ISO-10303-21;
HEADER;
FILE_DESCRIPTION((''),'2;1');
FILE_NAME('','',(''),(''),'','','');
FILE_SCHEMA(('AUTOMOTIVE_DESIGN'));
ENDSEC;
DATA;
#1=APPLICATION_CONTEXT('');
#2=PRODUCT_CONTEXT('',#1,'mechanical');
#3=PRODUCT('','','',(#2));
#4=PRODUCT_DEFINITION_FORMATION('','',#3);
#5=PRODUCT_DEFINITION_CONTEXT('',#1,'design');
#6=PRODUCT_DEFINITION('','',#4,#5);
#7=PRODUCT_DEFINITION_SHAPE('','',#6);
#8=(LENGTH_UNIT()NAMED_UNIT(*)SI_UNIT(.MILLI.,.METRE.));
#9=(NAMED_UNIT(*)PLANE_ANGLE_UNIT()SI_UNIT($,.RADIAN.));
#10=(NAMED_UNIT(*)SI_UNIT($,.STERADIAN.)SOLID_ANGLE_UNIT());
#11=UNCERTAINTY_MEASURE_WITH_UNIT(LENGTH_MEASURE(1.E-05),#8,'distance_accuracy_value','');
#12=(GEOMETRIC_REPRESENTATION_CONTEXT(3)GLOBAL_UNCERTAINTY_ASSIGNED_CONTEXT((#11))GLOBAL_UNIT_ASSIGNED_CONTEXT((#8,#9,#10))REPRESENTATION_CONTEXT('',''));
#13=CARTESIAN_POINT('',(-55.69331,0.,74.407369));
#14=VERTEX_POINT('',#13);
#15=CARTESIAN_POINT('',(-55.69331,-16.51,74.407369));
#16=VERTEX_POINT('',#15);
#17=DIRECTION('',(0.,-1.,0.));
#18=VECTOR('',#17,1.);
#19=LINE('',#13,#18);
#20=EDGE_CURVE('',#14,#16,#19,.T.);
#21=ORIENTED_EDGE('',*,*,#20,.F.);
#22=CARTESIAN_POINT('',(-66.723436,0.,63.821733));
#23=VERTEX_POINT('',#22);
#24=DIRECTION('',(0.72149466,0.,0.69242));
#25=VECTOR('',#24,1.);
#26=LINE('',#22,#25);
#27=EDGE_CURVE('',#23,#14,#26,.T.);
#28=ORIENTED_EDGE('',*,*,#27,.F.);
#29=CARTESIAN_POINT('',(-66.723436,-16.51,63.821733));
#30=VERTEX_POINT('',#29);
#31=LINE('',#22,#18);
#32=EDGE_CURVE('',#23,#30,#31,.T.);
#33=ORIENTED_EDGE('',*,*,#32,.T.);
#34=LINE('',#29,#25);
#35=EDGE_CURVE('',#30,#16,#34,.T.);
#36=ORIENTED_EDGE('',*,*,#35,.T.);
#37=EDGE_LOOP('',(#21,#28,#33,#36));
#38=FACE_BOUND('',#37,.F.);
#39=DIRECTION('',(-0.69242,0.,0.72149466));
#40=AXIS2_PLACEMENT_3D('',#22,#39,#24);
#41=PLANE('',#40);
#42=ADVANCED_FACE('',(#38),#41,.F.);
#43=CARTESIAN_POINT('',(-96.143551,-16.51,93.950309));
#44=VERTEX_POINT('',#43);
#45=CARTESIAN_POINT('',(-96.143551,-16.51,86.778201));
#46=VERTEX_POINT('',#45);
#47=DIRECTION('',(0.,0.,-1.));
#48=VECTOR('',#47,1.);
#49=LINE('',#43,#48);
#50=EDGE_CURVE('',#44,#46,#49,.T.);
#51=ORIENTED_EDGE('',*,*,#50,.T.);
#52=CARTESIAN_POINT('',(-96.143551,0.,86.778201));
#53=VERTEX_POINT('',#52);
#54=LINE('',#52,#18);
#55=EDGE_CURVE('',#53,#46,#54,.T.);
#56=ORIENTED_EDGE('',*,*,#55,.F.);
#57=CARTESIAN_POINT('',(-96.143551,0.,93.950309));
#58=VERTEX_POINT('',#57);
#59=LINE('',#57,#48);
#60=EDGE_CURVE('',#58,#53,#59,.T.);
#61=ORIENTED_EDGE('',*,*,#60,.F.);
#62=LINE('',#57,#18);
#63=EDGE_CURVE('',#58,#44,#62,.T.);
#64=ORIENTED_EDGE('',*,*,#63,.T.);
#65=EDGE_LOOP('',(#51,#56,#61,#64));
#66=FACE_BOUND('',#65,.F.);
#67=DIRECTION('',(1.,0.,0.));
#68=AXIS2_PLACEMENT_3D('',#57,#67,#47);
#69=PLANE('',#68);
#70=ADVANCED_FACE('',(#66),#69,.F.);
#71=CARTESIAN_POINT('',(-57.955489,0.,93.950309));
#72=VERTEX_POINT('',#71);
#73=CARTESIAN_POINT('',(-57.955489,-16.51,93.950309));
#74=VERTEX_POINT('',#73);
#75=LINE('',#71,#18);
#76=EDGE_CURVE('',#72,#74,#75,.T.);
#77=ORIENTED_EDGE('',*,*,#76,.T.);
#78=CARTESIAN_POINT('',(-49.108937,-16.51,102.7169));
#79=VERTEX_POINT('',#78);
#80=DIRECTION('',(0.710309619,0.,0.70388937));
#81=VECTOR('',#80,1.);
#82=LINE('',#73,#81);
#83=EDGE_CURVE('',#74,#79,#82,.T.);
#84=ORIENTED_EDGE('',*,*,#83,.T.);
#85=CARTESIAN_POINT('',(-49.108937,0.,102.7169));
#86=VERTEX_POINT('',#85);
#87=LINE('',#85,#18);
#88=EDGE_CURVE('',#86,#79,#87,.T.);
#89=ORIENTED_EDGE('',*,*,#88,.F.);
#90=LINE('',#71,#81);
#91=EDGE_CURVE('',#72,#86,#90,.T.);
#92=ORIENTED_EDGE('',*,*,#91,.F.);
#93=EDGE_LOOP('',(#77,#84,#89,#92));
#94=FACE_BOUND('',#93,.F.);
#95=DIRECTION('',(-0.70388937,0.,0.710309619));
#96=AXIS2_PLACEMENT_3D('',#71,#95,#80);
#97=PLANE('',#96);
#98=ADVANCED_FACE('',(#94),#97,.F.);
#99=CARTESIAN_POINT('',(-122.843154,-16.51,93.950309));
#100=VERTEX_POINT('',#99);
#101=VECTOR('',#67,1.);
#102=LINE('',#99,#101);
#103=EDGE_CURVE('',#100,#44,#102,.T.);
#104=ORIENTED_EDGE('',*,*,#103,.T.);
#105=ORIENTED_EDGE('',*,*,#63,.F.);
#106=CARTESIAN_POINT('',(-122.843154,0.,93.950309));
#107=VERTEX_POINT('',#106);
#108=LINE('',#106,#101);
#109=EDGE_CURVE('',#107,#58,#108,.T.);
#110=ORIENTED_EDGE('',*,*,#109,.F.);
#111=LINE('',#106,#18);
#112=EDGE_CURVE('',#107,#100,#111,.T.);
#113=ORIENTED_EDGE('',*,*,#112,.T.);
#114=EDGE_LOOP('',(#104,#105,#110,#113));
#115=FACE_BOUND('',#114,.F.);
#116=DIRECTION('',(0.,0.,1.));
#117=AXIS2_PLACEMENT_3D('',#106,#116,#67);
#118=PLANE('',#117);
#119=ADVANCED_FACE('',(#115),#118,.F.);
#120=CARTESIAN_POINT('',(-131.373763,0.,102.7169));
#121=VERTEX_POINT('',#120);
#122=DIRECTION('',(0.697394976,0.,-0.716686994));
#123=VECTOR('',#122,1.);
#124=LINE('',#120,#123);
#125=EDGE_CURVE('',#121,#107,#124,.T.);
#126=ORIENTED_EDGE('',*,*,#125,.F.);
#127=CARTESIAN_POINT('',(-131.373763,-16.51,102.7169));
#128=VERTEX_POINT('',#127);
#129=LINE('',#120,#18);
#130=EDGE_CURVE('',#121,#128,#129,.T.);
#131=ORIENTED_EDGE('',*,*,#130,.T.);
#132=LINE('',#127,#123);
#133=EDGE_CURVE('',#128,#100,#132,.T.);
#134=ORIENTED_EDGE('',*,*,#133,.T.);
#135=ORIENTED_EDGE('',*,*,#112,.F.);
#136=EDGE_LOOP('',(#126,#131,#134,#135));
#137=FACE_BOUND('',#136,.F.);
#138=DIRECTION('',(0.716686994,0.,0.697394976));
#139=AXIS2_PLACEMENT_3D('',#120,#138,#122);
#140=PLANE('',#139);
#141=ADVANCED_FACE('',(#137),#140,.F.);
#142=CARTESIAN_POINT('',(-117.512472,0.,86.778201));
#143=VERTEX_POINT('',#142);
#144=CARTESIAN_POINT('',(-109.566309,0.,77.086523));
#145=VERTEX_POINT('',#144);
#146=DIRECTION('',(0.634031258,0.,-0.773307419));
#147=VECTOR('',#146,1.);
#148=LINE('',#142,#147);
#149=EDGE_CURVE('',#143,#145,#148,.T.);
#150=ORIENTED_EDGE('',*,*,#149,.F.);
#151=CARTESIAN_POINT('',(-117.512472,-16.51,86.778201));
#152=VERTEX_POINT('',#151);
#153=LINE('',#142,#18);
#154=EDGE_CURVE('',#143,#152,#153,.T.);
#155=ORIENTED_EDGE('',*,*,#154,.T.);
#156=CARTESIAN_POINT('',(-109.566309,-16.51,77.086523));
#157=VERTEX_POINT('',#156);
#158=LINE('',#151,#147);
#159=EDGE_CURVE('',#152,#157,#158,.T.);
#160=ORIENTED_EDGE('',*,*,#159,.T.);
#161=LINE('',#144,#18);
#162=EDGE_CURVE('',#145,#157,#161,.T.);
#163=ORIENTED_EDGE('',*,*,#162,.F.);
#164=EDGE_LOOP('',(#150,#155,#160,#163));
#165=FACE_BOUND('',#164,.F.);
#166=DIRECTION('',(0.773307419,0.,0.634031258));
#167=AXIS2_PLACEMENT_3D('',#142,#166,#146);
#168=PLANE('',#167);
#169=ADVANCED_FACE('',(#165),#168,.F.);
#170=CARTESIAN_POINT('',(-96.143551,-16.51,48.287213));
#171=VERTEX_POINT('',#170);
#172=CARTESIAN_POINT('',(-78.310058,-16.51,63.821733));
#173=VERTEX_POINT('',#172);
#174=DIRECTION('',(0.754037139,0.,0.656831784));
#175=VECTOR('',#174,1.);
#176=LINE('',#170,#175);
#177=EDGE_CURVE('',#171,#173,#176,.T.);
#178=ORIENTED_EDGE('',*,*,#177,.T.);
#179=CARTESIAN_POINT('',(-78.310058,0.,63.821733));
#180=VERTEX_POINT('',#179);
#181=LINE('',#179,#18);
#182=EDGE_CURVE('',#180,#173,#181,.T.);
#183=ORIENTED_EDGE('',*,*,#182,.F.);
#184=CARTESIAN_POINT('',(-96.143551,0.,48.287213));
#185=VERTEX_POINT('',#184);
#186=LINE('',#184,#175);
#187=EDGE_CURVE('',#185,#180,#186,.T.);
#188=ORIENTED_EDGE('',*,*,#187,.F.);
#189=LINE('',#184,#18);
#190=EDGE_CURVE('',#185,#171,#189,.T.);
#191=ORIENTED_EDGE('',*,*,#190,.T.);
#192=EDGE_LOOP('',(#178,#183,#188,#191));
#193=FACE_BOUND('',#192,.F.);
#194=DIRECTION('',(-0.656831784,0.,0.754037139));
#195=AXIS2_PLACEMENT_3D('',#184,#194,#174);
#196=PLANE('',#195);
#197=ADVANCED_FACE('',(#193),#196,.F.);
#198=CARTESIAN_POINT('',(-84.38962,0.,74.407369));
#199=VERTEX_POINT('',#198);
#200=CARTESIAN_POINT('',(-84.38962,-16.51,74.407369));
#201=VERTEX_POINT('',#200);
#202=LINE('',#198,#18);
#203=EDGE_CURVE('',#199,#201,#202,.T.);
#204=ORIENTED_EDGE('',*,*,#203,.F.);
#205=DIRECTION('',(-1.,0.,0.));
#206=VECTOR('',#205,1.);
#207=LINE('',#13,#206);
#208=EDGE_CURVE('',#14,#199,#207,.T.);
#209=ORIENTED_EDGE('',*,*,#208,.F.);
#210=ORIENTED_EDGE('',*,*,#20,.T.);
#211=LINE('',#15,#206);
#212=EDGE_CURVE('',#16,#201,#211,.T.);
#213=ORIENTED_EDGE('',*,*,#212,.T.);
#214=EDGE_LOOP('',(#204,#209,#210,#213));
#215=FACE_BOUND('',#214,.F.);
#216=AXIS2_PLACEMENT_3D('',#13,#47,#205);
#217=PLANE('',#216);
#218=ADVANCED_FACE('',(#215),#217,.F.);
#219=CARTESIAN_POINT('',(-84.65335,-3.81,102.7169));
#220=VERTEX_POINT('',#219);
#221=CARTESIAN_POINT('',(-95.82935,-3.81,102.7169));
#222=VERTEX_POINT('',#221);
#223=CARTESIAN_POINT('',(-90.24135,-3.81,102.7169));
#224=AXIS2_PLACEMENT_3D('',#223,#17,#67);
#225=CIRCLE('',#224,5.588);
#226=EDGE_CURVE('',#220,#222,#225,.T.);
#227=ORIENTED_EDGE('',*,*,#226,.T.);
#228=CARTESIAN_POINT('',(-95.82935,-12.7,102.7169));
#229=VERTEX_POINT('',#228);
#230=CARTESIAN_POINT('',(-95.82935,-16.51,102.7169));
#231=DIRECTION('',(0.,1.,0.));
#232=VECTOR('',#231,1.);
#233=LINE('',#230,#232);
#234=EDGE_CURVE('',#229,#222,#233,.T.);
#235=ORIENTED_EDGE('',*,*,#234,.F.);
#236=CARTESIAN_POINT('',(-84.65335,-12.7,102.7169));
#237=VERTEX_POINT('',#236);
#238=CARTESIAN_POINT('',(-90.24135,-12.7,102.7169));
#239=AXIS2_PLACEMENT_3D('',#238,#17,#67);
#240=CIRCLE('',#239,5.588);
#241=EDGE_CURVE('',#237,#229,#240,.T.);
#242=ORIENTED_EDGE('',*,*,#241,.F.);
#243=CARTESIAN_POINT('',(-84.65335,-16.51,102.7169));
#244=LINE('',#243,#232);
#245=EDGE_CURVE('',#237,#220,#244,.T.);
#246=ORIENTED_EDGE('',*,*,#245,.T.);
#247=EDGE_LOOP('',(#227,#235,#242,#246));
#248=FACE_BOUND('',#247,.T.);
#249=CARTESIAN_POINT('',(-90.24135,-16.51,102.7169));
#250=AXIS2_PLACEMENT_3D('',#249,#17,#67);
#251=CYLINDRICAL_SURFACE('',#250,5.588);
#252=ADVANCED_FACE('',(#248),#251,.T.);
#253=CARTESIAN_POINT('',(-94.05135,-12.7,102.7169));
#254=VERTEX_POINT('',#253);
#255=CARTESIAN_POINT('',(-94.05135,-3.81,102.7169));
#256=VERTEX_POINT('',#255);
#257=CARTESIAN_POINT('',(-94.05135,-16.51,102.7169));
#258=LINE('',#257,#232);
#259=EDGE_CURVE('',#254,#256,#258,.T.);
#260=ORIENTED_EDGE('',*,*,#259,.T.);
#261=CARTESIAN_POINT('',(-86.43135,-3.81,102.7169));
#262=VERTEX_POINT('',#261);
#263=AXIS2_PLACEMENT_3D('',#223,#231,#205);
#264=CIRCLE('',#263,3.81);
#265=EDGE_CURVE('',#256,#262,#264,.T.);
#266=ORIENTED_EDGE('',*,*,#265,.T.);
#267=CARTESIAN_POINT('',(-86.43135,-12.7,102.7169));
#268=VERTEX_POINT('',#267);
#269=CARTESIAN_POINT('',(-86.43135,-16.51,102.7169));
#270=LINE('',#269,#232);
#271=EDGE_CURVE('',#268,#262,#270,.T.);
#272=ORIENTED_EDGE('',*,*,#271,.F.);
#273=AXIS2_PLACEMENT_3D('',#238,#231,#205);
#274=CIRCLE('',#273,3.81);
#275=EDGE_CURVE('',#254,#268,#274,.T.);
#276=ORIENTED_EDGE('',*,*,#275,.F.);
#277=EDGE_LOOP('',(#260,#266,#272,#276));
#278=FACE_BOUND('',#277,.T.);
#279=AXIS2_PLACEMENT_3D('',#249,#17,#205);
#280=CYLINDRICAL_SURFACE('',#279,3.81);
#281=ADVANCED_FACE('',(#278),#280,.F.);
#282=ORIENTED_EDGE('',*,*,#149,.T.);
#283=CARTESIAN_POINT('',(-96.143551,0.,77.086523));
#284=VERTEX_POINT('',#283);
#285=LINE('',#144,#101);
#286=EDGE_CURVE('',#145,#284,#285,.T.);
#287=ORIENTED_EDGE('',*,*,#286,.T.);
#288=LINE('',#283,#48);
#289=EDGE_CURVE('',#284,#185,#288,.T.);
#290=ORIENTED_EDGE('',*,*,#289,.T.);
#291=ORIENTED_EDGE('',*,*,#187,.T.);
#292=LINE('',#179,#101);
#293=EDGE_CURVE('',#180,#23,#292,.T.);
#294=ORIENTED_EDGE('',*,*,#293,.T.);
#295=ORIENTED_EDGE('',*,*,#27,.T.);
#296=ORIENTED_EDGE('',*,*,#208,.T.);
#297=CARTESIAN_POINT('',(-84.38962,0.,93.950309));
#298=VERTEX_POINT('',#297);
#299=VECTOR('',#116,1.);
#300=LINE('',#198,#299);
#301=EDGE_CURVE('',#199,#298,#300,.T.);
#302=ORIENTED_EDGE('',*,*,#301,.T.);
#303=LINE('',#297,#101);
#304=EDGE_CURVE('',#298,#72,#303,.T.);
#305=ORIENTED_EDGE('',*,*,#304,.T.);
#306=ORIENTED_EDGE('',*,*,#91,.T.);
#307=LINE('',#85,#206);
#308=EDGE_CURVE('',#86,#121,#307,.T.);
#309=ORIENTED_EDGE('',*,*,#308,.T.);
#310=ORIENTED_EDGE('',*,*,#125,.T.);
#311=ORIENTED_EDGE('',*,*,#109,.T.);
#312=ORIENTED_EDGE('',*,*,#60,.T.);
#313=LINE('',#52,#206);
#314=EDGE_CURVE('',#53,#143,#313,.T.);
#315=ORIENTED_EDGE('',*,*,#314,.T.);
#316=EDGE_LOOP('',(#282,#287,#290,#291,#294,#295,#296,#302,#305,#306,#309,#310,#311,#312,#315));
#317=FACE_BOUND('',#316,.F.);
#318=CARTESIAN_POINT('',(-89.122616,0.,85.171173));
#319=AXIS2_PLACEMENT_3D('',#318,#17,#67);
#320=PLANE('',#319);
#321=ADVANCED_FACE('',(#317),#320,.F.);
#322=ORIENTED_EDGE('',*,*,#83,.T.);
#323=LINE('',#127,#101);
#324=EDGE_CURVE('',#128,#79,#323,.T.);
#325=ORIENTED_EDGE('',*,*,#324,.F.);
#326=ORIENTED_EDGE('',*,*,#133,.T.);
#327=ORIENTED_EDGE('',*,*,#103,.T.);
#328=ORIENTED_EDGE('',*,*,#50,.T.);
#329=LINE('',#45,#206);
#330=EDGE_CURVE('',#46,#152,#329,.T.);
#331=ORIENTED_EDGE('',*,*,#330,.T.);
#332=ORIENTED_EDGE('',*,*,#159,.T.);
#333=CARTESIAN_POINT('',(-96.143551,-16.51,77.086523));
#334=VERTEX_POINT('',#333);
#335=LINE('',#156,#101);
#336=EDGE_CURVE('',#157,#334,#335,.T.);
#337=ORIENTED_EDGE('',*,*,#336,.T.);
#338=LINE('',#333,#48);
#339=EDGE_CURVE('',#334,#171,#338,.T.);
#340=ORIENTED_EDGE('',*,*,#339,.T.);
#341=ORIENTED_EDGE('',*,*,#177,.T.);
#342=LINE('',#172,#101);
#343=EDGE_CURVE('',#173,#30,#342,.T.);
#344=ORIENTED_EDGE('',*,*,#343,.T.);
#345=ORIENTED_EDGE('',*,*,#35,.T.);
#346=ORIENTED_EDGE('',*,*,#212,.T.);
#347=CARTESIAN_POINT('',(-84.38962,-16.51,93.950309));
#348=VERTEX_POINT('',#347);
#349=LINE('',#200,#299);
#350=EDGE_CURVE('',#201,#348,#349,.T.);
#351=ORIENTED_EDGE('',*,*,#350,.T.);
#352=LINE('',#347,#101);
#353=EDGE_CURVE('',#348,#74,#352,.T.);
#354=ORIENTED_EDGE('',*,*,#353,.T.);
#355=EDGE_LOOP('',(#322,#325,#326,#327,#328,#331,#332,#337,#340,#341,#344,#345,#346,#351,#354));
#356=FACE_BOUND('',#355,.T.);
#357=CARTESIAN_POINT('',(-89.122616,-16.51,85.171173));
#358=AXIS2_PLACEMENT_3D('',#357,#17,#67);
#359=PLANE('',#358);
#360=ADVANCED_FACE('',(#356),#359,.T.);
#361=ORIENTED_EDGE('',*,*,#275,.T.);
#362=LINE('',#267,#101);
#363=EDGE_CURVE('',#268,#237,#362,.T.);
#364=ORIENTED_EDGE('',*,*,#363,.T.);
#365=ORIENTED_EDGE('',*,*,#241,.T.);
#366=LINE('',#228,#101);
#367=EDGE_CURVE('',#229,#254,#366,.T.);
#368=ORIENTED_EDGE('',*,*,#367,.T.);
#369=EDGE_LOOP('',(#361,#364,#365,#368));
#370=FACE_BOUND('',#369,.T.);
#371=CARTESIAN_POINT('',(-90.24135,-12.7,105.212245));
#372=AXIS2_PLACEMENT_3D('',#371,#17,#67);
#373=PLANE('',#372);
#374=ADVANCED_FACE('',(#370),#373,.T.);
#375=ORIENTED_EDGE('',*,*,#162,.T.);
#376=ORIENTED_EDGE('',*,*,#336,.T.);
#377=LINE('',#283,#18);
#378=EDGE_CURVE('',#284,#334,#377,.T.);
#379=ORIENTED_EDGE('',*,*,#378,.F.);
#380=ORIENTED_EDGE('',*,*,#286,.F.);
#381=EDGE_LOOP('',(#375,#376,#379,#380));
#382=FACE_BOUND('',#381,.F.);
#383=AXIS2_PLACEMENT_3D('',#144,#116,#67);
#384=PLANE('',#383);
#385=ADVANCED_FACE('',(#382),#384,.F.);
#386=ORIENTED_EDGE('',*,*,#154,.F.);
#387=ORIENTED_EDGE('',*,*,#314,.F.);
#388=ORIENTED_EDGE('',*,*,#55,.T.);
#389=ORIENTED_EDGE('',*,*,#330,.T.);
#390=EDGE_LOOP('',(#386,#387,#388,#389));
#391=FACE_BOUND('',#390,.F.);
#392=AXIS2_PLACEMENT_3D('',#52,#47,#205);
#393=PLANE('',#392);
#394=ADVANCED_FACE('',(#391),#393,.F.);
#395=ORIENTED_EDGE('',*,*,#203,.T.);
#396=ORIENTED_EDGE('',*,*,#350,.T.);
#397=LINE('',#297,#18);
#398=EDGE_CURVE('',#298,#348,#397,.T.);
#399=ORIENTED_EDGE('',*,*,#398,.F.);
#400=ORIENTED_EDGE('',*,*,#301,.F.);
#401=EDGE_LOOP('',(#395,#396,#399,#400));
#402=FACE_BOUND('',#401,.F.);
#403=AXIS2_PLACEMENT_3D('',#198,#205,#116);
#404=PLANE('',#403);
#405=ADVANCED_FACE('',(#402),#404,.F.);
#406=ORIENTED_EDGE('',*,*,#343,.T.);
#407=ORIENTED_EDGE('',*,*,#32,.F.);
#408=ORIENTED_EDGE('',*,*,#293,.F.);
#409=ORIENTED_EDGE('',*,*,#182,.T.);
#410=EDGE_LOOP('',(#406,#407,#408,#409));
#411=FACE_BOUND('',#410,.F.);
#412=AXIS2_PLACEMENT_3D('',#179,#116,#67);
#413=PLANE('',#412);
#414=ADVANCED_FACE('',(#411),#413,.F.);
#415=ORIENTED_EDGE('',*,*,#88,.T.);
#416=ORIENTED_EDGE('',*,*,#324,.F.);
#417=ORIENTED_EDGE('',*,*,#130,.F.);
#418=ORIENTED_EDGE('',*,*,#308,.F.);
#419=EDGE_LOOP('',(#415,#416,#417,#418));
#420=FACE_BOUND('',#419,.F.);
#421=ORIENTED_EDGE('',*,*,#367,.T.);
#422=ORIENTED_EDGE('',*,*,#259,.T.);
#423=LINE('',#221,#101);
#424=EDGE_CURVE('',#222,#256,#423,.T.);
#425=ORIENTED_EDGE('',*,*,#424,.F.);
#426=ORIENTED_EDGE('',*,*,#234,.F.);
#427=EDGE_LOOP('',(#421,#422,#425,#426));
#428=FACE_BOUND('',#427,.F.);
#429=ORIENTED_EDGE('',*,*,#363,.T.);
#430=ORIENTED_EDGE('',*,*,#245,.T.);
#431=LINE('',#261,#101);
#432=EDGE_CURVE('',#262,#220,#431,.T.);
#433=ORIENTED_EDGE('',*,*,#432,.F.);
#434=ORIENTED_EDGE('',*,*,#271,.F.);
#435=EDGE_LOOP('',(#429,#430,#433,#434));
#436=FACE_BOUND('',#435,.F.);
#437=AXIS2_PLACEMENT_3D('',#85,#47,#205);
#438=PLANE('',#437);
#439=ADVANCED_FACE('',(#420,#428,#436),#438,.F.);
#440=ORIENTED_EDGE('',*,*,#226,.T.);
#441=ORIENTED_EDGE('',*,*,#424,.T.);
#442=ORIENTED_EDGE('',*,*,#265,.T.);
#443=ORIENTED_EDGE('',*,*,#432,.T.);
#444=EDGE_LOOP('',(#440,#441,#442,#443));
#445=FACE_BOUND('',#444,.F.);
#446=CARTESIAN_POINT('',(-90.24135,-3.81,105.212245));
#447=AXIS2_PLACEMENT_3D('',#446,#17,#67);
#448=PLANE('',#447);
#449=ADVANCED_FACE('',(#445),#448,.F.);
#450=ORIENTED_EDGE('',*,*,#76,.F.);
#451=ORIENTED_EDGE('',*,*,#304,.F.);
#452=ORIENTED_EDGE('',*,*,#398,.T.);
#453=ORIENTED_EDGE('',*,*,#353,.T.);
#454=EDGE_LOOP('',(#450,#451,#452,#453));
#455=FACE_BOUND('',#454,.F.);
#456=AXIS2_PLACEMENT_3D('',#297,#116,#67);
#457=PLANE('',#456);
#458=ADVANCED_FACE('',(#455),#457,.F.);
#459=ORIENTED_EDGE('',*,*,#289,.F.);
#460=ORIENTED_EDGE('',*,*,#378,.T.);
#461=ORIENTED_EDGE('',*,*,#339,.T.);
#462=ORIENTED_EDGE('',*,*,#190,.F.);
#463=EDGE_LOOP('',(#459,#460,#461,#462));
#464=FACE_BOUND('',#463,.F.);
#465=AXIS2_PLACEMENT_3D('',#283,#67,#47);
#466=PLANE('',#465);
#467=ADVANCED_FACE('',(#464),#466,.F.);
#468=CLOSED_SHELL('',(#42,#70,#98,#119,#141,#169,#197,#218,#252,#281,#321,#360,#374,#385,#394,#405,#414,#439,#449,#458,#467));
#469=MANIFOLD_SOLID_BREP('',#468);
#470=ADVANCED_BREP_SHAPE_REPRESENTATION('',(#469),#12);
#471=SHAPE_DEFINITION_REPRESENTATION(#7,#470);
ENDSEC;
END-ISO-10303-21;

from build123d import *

# Parameters (mm, degrees)
F1_DEPTH = 16.51
F3_DEPTH = 12.7
F5_DEPTH = 3.81


with BuildPart() as f1:
    # F0 (on Front) → F1 (new body)
    with BuildSketch(Plane.XZ):
        Polygon((-49.108937, 102.7169), (-131.373763, 102.7169), (-122.843154, 93.950309), (-96.143551, 93.950309), (-96.143551, 86.778201), (-117.512472, 86.778201), (-109.566309, 77.086523), (-96.143551, 77.086523), (-96.143551, 48.287213), (-78.310058, 63.821733), (-66.723436, 63.821733), (-55.69331, 74.407369), (-84.38962, 74.407369), (-84.38962, 93.950309), (-57.955489, 93.950309), align=None)
    extrude(amount=F1_DEPTH)

    # F2 (on face) → F3 (join)
    with BuildSketch(Plane.XZ.offset(16.51)):
        with BuildLine():
            ThreePointArc((-94.05135, 102.7169), (-90.24135, 106.5269), (-86.43135, 102.7169))
            Line((-86.43135, 102.7169), (-84.65335, 102.7169))
            ThreePointArc((-84.65335, 102.7169), (-90.24135, 108.3049), (-95.82935, 102.7169))
            Line((-95.82935, 102.7169), (-94.05135, 102.7169))
        make_face()
    extrude(amount=-F3_DEPTH)

    # F4 (on face) → F5 (cut)
    with BuildSketch(Plane.XZ.offset(16.51)):
        with BuildLine():
            Line((-86.43135, 102.7169), (-84.65335, 102.7169))
            ThreePointArc((-84.65335, 102.7169), (-90.24135, 108.3049), (-95.82935, 102.7169))
            Line((-95.82935, 102.7169), (-94.05135, 102.7169))
            ThreePointArc((-94.05135, 102.7169), (-90.24135, 106.5269), (-86.43135, 102.7169))
        make_face()
    extrude(amount=-F5_DEPTH, mode=Mode.SUBTRACT)


solid = f1.part
